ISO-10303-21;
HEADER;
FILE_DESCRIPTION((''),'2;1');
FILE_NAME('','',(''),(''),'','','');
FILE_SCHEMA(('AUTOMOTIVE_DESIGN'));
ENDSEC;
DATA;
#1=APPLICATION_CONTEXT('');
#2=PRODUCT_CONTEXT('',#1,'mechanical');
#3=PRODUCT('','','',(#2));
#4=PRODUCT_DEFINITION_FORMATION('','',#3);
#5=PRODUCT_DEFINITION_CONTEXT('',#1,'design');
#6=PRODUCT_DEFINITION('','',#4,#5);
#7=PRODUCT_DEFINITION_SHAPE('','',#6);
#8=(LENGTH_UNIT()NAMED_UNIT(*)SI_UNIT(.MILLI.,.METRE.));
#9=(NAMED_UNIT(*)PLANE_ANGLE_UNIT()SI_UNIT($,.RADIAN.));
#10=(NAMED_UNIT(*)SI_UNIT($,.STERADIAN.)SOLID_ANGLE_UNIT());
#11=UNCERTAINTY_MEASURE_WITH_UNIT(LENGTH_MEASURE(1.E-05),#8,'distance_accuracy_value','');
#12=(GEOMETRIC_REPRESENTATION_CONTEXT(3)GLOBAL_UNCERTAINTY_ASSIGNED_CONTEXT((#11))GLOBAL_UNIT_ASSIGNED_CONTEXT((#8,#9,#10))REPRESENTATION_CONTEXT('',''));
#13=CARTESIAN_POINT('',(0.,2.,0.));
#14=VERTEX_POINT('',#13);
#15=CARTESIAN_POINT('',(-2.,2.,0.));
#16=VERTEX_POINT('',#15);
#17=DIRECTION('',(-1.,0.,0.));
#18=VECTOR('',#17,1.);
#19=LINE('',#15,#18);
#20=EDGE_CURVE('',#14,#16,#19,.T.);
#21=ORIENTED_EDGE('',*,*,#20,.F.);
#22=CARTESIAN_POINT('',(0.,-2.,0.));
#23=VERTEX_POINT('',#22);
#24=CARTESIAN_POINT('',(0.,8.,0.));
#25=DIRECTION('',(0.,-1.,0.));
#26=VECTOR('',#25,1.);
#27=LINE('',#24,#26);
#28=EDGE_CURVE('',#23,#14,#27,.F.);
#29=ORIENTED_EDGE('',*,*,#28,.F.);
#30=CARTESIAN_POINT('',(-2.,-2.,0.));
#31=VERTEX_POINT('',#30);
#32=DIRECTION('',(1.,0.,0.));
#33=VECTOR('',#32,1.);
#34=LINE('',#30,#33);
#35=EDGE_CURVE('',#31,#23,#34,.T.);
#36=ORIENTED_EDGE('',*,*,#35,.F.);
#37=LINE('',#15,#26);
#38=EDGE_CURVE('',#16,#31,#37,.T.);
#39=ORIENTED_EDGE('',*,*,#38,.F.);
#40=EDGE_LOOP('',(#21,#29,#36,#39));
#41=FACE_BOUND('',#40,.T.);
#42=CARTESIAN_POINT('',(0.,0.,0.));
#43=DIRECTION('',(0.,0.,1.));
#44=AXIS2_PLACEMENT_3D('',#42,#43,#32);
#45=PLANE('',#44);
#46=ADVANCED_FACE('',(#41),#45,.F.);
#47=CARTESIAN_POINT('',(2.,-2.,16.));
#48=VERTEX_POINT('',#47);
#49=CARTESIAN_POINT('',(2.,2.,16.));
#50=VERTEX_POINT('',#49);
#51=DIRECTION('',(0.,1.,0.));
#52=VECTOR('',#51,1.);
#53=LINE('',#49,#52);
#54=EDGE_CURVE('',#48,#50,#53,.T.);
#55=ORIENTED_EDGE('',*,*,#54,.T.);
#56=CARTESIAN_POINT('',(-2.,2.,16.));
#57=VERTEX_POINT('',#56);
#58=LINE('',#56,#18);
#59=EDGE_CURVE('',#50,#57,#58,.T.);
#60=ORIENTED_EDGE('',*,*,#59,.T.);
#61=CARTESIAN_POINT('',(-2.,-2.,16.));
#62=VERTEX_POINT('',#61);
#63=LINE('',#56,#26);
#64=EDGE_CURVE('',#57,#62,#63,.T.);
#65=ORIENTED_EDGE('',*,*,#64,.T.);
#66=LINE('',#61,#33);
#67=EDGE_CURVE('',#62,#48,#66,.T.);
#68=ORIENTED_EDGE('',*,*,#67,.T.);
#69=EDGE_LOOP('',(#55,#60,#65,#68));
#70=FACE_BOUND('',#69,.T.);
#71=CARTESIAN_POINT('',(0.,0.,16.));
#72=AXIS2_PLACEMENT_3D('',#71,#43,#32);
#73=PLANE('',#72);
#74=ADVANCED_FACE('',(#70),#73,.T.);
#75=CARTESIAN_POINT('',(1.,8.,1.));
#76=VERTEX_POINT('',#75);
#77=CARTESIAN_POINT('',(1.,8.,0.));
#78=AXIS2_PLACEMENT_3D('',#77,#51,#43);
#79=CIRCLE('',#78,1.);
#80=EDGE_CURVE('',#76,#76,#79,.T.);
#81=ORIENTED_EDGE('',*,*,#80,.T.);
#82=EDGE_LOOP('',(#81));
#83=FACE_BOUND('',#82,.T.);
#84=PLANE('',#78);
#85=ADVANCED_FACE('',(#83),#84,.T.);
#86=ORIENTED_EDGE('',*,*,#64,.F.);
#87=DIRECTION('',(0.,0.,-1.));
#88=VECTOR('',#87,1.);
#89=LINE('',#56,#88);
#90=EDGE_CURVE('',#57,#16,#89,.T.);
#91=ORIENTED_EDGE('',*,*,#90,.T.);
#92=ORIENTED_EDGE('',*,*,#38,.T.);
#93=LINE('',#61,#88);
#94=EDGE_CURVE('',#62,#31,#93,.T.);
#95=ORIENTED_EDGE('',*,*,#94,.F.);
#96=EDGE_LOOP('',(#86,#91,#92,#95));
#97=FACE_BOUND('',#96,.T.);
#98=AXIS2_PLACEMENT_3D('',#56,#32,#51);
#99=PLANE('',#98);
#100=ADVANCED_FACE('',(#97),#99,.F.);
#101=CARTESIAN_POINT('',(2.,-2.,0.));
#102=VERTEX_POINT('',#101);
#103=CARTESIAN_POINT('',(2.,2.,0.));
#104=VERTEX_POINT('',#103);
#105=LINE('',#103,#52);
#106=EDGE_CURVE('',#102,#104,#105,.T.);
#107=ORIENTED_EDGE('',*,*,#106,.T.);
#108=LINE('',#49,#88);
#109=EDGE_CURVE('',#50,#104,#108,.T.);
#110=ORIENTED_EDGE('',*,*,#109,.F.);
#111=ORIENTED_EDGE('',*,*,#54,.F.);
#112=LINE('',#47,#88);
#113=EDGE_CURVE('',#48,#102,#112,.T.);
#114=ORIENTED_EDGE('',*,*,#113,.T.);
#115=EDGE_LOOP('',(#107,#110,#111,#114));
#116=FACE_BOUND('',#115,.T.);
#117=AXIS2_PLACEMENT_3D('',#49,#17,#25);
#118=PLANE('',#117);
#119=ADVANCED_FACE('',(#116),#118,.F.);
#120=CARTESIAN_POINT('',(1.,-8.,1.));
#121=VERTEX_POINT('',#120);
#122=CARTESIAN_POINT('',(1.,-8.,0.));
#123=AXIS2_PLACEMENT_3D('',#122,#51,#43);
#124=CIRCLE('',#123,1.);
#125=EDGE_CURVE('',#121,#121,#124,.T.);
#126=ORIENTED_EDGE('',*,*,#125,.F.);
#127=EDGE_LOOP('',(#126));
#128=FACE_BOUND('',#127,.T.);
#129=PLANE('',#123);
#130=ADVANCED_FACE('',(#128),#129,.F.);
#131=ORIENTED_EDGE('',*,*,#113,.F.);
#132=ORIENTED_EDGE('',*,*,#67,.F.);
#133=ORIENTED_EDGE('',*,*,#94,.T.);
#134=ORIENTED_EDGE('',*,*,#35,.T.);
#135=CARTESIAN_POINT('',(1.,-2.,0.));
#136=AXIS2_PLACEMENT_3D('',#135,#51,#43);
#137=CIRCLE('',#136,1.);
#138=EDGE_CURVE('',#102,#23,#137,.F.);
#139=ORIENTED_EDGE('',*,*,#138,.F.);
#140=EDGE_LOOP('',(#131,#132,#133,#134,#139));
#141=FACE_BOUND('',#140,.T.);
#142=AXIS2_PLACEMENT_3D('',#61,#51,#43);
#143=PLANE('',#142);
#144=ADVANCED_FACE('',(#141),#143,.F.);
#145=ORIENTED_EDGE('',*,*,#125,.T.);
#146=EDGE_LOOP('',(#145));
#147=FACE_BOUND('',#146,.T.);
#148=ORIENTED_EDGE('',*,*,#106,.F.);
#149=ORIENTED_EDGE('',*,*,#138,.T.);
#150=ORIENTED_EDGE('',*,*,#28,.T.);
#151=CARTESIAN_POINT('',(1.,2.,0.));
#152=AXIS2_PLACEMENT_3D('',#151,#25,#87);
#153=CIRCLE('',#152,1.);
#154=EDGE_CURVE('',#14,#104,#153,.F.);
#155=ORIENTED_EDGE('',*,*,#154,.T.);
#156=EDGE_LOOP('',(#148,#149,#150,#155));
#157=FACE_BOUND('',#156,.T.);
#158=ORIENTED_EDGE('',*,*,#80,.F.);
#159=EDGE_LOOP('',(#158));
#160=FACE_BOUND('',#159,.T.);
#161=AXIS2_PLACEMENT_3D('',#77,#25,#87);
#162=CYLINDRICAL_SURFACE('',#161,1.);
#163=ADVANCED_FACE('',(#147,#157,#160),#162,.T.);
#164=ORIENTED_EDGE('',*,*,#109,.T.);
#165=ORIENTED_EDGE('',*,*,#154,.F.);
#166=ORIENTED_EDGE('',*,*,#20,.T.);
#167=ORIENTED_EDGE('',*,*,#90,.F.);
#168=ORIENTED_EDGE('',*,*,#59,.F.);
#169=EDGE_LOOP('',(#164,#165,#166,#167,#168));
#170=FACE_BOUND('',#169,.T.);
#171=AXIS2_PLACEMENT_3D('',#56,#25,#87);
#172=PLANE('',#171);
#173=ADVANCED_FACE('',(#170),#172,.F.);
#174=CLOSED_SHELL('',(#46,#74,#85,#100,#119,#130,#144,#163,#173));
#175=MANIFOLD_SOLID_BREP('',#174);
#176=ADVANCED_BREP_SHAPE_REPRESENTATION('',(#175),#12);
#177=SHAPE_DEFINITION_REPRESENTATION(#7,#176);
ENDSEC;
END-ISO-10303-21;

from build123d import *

# Parameters (mm, degrees)
SKETCH_1_W      = 4
SKETCH_1_H      = 4
EXTRUDE_1_DEPTH = 16
SKETCH_3_R      = 1
EXTRUDE_2_DEPTH = 8


with BuildPart() as part:
    # 草图1 → 凸台-拉伸1 (new body)
    with BuildSketch(Plane.XY):
        Rectangle(SKETCH_1_W, SKETCH_1_H)
    extrude(amount=EXTRUDE_1_DEPTH)

    # 草图3 → 凸台-拉伸2 (add, symmetric)
    with BuildSketch(Plane(origin=(0, 0, 0), x_dir=(1, 0, 0), z_dir=(0, 1, 0))):
        with Locations((1, 0)):
            Circle(SKETCH_3_R)
    extrude(amount=EXTRUDE_2_DEPTH, both=True)


solid = part.part
